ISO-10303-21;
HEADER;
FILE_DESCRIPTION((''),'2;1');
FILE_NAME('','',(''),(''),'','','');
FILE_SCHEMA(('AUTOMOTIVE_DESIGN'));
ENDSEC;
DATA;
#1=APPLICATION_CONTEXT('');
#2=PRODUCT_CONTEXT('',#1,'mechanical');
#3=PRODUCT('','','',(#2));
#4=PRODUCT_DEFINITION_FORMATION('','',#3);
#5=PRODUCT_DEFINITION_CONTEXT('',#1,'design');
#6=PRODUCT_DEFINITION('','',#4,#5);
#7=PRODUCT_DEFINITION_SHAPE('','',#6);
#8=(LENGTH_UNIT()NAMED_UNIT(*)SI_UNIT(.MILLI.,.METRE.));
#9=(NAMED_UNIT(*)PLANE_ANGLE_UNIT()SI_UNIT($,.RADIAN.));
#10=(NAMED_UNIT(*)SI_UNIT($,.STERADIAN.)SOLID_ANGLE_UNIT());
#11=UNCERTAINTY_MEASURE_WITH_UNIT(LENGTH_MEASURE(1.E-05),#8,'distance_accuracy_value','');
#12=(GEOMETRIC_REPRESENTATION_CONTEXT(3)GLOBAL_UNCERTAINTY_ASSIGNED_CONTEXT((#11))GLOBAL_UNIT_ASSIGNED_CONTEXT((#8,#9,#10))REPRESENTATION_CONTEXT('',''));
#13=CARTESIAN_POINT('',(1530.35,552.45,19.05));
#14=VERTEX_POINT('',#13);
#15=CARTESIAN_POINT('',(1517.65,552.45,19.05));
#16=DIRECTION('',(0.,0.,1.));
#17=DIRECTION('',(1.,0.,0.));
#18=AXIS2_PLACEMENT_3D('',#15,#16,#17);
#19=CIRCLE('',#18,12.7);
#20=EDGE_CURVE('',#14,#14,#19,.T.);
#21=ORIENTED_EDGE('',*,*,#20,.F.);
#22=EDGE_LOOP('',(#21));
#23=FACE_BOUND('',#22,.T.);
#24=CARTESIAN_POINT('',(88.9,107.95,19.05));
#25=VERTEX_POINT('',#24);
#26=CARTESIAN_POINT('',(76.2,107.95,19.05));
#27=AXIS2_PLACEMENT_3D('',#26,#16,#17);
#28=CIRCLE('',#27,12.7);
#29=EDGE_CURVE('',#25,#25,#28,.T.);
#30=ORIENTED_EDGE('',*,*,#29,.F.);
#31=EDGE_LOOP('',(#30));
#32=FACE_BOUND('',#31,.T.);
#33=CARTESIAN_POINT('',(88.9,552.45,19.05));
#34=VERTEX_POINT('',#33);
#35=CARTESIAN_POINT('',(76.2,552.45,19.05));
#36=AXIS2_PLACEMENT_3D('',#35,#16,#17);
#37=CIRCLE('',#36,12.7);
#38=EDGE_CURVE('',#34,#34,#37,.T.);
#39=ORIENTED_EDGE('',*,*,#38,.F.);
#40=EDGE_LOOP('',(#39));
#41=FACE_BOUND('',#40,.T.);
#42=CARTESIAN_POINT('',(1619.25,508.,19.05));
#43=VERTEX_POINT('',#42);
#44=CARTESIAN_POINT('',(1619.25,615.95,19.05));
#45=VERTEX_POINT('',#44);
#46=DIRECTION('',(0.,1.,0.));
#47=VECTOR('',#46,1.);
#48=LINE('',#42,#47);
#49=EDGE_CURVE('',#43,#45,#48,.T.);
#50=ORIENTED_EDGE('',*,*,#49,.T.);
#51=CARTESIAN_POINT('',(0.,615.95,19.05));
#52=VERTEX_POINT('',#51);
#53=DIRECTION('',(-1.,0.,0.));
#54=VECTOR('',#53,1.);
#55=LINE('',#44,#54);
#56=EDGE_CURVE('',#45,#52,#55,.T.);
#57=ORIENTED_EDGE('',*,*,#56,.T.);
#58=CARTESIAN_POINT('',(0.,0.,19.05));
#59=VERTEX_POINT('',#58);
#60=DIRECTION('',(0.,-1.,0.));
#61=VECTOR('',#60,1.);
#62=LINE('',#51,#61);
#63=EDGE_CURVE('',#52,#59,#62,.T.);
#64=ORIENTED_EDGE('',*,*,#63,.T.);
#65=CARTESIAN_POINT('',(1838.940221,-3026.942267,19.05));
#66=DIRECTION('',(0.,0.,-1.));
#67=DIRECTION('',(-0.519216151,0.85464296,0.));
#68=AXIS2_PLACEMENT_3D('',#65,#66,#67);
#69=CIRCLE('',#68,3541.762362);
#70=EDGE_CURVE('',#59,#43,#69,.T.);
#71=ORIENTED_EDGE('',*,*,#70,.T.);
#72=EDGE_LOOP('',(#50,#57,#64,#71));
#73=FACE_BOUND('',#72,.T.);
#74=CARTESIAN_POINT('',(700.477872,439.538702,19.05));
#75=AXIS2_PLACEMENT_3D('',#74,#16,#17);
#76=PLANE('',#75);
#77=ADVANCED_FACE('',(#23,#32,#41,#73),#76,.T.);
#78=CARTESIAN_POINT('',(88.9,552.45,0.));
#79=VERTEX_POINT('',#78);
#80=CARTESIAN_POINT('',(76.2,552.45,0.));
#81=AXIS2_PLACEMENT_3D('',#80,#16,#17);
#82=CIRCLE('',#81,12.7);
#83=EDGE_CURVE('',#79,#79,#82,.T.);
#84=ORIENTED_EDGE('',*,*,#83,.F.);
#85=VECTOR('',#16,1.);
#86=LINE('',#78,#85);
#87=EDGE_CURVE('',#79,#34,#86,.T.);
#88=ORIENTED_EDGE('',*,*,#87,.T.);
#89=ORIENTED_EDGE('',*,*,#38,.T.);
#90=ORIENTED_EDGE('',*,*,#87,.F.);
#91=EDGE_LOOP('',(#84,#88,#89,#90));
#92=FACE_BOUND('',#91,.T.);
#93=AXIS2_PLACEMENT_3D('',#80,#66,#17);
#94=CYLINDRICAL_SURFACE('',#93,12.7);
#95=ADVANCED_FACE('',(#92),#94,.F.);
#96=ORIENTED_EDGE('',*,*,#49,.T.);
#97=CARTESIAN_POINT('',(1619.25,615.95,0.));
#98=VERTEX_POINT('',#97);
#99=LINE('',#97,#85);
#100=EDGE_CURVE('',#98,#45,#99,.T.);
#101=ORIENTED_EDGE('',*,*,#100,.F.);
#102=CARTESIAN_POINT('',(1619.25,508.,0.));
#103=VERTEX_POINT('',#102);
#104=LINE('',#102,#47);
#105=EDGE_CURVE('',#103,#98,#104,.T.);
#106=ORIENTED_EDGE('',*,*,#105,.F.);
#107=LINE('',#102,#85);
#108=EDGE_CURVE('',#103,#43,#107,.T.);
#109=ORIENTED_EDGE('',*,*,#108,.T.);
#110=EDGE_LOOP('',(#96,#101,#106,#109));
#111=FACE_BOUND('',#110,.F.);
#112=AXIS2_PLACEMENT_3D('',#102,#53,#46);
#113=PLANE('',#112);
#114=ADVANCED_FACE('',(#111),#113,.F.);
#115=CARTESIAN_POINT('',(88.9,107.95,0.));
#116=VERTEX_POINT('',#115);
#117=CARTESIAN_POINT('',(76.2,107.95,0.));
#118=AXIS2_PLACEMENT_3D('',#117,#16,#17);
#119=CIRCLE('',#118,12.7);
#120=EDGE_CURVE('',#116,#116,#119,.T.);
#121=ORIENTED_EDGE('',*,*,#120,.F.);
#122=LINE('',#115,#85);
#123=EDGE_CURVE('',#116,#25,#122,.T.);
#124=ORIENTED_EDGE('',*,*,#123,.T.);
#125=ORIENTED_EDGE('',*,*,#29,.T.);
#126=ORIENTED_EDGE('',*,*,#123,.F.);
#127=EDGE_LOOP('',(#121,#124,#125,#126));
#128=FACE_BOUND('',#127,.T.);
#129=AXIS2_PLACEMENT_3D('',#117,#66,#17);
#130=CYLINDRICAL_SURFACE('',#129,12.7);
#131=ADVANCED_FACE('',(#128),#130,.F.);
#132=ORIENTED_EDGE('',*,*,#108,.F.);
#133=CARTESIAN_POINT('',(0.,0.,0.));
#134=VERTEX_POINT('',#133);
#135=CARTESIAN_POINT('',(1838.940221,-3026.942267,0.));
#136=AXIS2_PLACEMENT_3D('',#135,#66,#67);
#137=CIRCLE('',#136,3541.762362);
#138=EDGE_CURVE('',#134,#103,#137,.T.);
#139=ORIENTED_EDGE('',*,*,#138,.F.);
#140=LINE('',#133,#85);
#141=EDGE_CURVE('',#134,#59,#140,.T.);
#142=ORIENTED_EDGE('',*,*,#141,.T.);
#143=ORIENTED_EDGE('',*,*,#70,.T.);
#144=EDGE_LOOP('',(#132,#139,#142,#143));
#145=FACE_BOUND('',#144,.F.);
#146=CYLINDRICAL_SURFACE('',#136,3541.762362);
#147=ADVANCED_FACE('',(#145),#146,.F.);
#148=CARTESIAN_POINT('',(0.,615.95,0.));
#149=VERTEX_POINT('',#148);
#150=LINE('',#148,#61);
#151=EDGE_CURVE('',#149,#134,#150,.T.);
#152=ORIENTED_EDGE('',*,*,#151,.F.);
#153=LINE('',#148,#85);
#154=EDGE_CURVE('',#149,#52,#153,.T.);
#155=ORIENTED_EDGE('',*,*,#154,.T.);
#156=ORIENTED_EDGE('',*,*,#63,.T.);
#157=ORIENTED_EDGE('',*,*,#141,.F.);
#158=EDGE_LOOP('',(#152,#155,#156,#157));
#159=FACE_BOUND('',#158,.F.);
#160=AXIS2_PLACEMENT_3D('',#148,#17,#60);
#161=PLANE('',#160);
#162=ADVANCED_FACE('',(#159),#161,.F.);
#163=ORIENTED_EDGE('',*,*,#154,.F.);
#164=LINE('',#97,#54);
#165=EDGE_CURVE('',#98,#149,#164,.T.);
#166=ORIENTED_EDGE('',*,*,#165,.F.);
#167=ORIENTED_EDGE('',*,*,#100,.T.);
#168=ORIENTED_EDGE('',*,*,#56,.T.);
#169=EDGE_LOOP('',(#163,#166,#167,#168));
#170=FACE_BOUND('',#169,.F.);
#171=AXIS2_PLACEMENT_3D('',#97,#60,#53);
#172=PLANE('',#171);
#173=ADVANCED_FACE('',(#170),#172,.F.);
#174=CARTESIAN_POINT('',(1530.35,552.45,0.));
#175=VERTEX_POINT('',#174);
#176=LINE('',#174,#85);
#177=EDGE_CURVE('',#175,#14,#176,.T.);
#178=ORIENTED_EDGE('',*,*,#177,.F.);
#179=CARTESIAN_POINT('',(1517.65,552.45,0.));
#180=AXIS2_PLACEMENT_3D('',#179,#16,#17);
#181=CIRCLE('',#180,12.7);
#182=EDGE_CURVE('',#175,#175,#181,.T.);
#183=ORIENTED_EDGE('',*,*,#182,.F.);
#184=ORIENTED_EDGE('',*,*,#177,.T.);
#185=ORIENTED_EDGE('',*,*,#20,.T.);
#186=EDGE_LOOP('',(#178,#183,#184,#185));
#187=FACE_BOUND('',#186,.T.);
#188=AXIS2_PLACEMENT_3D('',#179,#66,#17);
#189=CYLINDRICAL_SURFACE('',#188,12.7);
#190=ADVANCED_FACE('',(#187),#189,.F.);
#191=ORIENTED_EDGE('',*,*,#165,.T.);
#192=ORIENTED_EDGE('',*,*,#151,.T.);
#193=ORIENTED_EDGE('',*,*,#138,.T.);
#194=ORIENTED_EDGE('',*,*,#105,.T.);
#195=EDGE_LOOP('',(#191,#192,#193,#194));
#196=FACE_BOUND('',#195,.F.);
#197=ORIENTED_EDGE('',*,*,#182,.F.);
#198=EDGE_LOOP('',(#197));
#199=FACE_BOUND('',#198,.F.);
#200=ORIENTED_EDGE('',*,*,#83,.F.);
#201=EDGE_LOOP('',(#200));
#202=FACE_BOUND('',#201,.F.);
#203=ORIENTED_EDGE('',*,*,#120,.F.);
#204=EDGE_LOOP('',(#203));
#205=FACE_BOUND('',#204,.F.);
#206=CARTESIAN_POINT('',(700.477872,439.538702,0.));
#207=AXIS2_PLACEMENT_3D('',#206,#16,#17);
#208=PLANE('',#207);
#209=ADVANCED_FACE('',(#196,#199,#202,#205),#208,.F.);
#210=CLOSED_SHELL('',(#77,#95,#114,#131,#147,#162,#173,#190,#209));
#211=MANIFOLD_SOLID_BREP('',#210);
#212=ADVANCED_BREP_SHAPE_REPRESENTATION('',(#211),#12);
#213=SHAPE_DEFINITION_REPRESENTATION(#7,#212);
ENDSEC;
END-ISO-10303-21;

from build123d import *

# Parameters (mm, degrees)
F0_R     = 12.7
F1_DEPTH = 19.05


with BuildPart() as f1:
    # F0 (on Top) → F1 (new body)
    with BuildSketch(Plane.XY):
        with BuildLine():
            Line((0, 615.95), (0, 0))
            ThreePointArc((0, 0), (778.748812, 352.41785), (1619.25, 508))
            Line((1619.25, 508), (1619.25, 615.95))
            Line((1619.25, 615.95), (0, 615.95))
        make_face()
        with Locations((76.2, 107.95)):
            Circle(F0_R, mode=Mode.SUBTRACT)
        with Locations((76.2, 552.45)):
            Circle(F0_R, mode=Mode.SUBTRACT)
        with Locations((1517.65, 552.45)):
            Circle(F0_R, mode=Mode.SUBTRACT)
    extrude(amount=F1_DEPTH)


solid = f1.part
